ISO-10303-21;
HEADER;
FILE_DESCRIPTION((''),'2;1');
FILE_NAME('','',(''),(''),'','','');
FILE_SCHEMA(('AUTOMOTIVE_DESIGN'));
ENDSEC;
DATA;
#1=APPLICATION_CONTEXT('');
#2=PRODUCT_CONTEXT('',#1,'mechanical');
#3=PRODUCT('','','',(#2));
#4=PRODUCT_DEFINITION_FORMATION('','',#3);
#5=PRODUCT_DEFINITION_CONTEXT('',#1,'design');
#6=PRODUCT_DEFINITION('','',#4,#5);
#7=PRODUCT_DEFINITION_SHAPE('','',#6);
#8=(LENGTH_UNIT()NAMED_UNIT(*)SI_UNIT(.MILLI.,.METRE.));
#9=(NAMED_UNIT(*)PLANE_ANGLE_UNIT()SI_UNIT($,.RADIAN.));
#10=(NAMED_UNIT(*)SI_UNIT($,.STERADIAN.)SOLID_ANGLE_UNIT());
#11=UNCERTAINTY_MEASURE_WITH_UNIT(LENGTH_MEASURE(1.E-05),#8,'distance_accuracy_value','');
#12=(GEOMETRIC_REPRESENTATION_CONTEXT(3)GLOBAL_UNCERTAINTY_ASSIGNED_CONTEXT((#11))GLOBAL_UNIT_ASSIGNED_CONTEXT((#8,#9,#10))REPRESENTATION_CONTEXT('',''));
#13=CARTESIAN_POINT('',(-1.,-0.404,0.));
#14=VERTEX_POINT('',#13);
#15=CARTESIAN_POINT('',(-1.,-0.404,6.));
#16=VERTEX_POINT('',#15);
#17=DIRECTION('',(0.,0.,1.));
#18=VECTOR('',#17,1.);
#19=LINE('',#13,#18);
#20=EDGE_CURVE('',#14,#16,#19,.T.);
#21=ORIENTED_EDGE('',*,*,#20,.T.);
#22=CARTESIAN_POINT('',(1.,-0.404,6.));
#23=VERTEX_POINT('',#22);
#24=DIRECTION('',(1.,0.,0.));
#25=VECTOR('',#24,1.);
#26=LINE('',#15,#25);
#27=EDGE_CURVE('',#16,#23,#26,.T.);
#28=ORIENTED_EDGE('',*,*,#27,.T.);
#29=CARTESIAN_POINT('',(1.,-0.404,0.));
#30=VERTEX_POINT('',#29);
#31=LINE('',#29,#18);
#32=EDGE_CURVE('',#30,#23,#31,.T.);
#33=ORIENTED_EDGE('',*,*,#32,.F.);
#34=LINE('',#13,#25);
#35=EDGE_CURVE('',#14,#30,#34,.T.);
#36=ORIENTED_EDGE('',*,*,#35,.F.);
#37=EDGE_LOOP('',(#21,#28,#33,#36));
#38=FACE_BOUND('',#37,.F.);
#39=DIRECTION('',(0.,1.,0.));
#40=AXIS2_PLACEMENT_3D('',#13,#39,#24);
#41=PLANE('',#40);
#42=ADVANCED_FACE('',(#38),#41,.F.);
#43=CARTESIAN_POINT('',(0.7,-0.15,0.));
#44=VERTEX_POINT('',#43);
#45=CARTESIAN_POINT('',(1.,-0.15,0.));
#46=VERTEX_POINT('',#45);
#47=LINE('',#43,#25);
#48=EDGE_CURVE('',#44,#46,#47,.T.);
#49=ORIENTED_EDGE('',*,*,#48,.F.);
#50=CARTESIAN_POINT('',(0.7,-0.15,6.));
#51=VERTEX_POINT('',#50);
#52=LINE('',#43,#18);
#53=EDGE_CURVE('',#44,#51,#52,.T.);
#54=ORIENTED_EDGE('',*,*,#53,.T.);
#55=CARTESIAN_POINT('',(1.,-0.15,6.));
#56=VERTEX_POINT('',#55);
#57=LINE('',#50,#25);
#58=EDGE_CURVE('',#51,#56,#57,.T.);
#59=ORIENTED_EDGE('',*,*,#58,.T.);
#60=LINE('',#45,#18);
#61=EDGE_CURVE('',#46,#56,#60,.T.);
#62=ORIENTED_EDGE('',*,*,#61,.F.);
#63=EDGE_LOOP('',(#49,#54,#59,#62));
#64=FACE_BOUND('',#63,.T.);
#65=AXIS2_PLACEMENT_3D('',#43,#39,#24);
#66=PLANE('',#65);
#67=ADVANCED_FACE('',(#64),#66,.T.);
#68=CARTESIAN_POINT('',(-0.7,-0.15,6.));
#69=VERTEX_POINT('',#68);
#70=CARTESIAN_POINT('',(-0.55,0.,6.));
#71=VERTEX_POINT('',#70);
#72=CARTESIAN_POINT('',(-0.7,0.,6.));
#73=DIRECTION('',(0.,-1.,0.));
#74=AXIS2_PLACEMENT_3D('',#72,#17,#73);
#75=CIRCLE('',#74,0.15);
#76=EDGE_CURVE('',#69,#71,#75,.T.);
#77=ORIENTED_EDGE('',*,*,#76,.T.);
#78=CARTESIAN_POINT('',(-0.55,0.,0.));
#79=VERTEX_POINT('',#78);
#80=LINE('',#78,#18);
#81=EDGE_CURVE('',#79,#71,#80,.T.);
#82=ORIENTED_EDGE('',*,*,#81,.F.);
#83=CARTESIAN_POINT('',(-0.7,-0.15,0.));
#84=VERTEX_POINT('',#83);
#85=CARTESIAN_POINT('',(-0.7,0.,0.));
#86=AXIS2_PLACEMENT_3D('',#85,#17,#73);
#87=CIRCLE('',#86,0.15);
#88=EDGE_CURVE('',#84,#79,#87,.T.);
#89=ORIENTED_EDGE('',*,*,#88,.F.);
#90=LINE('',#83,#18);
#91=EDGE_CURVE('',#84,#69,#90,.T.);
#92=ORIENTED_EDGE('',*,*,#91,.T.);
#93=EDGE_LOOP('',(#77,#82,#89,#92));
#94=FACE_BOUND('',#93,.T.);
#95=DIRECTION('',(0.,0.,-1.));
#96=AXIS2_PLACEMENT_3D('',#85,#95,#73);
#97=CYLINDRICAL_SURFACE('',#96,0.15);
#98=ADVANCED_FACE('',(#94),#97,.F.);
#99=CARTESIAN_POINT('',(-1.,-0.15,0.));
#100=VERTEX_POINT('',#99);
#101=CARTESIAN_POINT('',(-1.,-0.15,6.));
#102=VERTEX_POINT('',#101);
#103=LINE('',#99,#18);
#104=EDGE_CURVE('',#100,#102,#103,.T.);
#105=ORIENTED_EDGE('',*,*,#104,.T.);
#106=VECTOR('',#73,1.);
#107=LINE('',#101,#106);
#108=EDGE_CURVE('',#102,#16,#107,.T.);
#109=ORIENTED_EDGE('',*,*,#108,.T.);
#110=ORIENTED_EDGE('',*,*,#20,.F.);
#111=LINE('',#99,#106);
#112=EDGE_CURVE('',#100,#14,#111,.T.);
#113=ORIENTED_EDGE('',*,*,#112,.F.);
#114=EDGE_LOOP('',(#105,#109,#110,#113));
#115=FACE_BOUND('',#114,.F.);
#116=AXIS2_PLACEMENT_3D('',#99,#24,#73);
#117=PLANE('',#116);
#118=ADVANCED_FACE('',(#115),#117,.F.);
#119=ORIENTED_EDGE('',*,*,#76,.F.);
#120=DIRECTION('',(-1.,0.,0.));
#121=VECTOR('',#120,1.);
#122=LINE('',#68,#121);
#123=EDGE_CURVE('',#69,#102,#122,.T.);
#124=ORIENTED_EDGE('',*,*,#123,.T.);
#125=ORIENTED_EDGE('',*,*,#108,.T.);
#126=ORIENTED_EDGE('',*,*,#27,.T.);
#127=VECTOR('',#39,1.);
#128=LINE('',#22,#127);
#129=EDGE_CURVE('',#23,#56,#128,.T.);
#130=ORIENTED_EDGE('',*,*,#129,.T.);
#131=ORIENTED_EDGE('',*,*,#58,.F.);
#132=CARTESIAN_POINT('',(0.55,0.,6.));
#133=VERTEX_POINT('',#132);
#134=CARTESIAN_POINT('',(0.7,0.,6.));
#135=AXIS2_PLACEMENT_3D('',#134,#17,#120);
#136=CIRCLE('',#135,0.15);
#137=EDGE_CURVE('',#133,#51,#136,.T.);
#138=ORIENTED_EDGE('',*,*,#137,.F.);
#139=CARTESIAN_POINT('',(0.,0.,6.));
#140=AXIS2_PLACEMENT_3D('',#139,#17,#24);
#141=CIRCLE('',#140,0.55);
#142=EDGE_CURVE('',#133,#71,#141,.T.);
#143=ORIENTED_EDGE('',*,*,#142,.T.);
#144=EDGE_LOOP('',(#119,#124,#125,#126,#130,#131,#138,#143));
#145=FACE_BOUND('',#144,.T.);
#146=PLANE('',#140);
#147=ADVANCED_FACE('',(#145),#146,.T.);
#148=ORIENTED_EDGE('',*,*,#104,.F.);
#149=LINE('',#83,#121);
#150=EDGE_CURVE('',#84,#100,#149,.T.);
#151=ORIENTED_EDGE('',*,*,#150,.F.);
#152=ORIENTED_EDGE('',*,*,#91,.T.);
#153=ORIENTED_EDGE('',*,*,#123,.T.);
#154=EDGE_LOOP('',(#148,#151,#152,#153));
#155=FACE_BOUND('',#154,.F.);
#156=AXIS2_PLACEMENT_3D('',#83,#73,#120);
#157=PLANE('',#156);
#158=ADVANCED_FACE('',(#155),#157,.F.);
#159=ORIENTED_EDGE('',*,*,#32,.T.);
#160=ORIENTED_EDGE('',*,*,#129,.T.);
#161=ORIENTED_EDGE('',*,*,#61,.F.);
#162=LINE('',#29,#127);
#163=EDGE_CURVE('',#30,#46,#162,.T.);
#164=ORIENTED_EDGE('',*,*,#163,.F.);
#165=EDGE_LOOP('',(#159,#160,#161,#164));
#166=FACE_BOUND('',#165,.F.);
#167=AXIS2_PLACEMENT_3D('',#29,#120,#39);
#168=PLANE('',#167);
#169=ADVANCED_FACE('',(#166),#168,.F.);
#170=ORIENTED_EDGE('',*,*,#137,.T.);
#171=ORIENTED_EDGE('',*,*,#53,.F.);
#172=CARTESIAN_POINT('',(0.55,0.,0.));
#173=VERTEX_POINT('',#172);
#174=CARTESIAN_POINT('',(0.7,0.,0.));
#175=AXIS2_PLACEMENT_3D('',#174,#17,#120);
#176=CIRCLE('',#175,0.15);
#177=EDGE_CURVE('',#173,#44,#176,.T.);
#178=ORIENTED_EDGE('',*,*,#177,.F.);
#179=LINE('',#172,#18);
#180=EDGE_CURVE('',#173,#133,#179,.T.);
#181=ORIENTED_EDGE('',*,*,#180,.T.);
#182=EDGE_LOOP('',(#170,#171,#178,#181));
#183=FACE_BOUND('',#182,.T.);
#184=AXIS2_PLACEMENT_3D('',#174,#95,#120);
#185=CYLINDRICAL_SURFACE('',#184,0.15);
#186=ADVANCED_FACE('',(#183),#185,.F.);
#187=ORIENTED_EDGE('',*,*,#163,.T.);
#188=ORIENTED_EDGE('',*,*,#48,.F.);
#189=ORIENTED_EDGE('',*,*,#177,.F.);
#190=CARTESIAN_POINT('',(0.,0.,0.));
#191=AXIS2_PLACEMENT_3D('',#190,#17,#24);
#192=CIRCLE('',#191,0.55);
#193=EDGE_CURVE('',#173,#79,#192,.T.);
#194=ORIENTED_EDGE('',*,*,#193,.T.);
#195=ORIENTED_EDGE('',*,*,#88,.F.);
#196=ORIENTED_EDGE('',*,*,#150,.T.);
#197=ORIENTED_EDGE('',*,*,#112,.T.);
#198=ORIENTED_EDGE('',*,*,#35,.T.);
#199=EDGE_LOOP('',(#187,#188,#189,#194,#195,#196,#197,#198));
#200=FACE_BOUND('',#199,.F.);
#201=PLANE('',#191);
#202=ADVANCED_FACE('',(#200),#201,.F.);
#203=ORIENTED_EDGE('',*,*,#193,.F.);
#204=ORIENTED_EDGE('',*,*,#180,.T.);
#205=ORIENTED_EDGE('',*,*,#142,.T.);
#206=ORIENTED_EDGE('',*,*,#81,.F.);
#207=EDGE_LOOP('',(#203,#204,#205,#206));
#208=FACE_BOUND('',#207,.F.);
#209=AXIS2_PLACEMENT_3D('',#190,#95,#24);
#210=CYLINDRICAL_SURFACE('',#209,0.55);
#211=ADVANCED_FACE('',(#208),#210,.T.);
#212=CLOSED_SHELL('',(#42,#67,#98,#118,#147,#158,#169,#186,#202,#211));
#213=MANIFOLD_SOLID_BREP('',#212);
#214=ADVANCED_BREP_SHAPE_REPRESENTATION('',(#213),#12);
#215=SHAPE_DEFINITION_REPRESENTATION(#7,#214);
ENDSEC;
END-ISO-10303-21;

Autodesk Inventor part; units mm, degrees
ref_plane "YZ Plane" through (0, 0, 0) normal (1, 0, 0) x (0, 1, 0)
ref_plane "XZ Plane" through (0, 0, 0) normal (0, 1, 0) x (-1, 0, 0)
sketch "Sketch1" plane through (0, 0, 0) normal (0, 0, 1) x (1, 0, 0)
  arc A0 (0.55, 0) -> (-0.55, 0) centre (0, 0) ccw
  arc A1 (0.55, 0) -> (0.7, -0.15) centre (0.7, 0) ccw
  arc A2 (-0.7, -0.15) -> (-0.55, 0) centre (-0.7, 0) ccw
  line L0 (0.7, -0.15) -> (1, -0.15)
  line L1 (-0.7, -0.15) -> (-1, -0.15)
  line L2 (-1, -0.15) -> (-1, -0.404)
  line L3 (-1, -0.404) -> (1, -0.404)
  line L4 (1, -0.404) -> (1, -0.15)
  dimension "d4" = 0.3
  dimension "d5" = 0.3
  dimension "d6" = 0
  dimension "d7" = 0
  dimension "d8" = 0.3
  dimension "d9" = 0.3
  dimension "d10" = 0.254
extrude "Extrusion1" add sketch "Sketch1" along normal blind 6
ref_plane "Work Plane1" through (-1, -0.404, 0) normal (0, -1, 0) x (1, 0, 0)
sketch "Sketch2" plane through (-1, -0.404, 0) normal (0, -1, 0) x (1, 0, 0)
  line L0 (2, 0) -> (0, 0) projected
  line L1 (0, 0) -> (0, 6) projected
  point P0 (1, 0)
  point P1 (1, 3)
  dimension "d14" = 3
  dimension "d15" = 1
properties part number "zab"
